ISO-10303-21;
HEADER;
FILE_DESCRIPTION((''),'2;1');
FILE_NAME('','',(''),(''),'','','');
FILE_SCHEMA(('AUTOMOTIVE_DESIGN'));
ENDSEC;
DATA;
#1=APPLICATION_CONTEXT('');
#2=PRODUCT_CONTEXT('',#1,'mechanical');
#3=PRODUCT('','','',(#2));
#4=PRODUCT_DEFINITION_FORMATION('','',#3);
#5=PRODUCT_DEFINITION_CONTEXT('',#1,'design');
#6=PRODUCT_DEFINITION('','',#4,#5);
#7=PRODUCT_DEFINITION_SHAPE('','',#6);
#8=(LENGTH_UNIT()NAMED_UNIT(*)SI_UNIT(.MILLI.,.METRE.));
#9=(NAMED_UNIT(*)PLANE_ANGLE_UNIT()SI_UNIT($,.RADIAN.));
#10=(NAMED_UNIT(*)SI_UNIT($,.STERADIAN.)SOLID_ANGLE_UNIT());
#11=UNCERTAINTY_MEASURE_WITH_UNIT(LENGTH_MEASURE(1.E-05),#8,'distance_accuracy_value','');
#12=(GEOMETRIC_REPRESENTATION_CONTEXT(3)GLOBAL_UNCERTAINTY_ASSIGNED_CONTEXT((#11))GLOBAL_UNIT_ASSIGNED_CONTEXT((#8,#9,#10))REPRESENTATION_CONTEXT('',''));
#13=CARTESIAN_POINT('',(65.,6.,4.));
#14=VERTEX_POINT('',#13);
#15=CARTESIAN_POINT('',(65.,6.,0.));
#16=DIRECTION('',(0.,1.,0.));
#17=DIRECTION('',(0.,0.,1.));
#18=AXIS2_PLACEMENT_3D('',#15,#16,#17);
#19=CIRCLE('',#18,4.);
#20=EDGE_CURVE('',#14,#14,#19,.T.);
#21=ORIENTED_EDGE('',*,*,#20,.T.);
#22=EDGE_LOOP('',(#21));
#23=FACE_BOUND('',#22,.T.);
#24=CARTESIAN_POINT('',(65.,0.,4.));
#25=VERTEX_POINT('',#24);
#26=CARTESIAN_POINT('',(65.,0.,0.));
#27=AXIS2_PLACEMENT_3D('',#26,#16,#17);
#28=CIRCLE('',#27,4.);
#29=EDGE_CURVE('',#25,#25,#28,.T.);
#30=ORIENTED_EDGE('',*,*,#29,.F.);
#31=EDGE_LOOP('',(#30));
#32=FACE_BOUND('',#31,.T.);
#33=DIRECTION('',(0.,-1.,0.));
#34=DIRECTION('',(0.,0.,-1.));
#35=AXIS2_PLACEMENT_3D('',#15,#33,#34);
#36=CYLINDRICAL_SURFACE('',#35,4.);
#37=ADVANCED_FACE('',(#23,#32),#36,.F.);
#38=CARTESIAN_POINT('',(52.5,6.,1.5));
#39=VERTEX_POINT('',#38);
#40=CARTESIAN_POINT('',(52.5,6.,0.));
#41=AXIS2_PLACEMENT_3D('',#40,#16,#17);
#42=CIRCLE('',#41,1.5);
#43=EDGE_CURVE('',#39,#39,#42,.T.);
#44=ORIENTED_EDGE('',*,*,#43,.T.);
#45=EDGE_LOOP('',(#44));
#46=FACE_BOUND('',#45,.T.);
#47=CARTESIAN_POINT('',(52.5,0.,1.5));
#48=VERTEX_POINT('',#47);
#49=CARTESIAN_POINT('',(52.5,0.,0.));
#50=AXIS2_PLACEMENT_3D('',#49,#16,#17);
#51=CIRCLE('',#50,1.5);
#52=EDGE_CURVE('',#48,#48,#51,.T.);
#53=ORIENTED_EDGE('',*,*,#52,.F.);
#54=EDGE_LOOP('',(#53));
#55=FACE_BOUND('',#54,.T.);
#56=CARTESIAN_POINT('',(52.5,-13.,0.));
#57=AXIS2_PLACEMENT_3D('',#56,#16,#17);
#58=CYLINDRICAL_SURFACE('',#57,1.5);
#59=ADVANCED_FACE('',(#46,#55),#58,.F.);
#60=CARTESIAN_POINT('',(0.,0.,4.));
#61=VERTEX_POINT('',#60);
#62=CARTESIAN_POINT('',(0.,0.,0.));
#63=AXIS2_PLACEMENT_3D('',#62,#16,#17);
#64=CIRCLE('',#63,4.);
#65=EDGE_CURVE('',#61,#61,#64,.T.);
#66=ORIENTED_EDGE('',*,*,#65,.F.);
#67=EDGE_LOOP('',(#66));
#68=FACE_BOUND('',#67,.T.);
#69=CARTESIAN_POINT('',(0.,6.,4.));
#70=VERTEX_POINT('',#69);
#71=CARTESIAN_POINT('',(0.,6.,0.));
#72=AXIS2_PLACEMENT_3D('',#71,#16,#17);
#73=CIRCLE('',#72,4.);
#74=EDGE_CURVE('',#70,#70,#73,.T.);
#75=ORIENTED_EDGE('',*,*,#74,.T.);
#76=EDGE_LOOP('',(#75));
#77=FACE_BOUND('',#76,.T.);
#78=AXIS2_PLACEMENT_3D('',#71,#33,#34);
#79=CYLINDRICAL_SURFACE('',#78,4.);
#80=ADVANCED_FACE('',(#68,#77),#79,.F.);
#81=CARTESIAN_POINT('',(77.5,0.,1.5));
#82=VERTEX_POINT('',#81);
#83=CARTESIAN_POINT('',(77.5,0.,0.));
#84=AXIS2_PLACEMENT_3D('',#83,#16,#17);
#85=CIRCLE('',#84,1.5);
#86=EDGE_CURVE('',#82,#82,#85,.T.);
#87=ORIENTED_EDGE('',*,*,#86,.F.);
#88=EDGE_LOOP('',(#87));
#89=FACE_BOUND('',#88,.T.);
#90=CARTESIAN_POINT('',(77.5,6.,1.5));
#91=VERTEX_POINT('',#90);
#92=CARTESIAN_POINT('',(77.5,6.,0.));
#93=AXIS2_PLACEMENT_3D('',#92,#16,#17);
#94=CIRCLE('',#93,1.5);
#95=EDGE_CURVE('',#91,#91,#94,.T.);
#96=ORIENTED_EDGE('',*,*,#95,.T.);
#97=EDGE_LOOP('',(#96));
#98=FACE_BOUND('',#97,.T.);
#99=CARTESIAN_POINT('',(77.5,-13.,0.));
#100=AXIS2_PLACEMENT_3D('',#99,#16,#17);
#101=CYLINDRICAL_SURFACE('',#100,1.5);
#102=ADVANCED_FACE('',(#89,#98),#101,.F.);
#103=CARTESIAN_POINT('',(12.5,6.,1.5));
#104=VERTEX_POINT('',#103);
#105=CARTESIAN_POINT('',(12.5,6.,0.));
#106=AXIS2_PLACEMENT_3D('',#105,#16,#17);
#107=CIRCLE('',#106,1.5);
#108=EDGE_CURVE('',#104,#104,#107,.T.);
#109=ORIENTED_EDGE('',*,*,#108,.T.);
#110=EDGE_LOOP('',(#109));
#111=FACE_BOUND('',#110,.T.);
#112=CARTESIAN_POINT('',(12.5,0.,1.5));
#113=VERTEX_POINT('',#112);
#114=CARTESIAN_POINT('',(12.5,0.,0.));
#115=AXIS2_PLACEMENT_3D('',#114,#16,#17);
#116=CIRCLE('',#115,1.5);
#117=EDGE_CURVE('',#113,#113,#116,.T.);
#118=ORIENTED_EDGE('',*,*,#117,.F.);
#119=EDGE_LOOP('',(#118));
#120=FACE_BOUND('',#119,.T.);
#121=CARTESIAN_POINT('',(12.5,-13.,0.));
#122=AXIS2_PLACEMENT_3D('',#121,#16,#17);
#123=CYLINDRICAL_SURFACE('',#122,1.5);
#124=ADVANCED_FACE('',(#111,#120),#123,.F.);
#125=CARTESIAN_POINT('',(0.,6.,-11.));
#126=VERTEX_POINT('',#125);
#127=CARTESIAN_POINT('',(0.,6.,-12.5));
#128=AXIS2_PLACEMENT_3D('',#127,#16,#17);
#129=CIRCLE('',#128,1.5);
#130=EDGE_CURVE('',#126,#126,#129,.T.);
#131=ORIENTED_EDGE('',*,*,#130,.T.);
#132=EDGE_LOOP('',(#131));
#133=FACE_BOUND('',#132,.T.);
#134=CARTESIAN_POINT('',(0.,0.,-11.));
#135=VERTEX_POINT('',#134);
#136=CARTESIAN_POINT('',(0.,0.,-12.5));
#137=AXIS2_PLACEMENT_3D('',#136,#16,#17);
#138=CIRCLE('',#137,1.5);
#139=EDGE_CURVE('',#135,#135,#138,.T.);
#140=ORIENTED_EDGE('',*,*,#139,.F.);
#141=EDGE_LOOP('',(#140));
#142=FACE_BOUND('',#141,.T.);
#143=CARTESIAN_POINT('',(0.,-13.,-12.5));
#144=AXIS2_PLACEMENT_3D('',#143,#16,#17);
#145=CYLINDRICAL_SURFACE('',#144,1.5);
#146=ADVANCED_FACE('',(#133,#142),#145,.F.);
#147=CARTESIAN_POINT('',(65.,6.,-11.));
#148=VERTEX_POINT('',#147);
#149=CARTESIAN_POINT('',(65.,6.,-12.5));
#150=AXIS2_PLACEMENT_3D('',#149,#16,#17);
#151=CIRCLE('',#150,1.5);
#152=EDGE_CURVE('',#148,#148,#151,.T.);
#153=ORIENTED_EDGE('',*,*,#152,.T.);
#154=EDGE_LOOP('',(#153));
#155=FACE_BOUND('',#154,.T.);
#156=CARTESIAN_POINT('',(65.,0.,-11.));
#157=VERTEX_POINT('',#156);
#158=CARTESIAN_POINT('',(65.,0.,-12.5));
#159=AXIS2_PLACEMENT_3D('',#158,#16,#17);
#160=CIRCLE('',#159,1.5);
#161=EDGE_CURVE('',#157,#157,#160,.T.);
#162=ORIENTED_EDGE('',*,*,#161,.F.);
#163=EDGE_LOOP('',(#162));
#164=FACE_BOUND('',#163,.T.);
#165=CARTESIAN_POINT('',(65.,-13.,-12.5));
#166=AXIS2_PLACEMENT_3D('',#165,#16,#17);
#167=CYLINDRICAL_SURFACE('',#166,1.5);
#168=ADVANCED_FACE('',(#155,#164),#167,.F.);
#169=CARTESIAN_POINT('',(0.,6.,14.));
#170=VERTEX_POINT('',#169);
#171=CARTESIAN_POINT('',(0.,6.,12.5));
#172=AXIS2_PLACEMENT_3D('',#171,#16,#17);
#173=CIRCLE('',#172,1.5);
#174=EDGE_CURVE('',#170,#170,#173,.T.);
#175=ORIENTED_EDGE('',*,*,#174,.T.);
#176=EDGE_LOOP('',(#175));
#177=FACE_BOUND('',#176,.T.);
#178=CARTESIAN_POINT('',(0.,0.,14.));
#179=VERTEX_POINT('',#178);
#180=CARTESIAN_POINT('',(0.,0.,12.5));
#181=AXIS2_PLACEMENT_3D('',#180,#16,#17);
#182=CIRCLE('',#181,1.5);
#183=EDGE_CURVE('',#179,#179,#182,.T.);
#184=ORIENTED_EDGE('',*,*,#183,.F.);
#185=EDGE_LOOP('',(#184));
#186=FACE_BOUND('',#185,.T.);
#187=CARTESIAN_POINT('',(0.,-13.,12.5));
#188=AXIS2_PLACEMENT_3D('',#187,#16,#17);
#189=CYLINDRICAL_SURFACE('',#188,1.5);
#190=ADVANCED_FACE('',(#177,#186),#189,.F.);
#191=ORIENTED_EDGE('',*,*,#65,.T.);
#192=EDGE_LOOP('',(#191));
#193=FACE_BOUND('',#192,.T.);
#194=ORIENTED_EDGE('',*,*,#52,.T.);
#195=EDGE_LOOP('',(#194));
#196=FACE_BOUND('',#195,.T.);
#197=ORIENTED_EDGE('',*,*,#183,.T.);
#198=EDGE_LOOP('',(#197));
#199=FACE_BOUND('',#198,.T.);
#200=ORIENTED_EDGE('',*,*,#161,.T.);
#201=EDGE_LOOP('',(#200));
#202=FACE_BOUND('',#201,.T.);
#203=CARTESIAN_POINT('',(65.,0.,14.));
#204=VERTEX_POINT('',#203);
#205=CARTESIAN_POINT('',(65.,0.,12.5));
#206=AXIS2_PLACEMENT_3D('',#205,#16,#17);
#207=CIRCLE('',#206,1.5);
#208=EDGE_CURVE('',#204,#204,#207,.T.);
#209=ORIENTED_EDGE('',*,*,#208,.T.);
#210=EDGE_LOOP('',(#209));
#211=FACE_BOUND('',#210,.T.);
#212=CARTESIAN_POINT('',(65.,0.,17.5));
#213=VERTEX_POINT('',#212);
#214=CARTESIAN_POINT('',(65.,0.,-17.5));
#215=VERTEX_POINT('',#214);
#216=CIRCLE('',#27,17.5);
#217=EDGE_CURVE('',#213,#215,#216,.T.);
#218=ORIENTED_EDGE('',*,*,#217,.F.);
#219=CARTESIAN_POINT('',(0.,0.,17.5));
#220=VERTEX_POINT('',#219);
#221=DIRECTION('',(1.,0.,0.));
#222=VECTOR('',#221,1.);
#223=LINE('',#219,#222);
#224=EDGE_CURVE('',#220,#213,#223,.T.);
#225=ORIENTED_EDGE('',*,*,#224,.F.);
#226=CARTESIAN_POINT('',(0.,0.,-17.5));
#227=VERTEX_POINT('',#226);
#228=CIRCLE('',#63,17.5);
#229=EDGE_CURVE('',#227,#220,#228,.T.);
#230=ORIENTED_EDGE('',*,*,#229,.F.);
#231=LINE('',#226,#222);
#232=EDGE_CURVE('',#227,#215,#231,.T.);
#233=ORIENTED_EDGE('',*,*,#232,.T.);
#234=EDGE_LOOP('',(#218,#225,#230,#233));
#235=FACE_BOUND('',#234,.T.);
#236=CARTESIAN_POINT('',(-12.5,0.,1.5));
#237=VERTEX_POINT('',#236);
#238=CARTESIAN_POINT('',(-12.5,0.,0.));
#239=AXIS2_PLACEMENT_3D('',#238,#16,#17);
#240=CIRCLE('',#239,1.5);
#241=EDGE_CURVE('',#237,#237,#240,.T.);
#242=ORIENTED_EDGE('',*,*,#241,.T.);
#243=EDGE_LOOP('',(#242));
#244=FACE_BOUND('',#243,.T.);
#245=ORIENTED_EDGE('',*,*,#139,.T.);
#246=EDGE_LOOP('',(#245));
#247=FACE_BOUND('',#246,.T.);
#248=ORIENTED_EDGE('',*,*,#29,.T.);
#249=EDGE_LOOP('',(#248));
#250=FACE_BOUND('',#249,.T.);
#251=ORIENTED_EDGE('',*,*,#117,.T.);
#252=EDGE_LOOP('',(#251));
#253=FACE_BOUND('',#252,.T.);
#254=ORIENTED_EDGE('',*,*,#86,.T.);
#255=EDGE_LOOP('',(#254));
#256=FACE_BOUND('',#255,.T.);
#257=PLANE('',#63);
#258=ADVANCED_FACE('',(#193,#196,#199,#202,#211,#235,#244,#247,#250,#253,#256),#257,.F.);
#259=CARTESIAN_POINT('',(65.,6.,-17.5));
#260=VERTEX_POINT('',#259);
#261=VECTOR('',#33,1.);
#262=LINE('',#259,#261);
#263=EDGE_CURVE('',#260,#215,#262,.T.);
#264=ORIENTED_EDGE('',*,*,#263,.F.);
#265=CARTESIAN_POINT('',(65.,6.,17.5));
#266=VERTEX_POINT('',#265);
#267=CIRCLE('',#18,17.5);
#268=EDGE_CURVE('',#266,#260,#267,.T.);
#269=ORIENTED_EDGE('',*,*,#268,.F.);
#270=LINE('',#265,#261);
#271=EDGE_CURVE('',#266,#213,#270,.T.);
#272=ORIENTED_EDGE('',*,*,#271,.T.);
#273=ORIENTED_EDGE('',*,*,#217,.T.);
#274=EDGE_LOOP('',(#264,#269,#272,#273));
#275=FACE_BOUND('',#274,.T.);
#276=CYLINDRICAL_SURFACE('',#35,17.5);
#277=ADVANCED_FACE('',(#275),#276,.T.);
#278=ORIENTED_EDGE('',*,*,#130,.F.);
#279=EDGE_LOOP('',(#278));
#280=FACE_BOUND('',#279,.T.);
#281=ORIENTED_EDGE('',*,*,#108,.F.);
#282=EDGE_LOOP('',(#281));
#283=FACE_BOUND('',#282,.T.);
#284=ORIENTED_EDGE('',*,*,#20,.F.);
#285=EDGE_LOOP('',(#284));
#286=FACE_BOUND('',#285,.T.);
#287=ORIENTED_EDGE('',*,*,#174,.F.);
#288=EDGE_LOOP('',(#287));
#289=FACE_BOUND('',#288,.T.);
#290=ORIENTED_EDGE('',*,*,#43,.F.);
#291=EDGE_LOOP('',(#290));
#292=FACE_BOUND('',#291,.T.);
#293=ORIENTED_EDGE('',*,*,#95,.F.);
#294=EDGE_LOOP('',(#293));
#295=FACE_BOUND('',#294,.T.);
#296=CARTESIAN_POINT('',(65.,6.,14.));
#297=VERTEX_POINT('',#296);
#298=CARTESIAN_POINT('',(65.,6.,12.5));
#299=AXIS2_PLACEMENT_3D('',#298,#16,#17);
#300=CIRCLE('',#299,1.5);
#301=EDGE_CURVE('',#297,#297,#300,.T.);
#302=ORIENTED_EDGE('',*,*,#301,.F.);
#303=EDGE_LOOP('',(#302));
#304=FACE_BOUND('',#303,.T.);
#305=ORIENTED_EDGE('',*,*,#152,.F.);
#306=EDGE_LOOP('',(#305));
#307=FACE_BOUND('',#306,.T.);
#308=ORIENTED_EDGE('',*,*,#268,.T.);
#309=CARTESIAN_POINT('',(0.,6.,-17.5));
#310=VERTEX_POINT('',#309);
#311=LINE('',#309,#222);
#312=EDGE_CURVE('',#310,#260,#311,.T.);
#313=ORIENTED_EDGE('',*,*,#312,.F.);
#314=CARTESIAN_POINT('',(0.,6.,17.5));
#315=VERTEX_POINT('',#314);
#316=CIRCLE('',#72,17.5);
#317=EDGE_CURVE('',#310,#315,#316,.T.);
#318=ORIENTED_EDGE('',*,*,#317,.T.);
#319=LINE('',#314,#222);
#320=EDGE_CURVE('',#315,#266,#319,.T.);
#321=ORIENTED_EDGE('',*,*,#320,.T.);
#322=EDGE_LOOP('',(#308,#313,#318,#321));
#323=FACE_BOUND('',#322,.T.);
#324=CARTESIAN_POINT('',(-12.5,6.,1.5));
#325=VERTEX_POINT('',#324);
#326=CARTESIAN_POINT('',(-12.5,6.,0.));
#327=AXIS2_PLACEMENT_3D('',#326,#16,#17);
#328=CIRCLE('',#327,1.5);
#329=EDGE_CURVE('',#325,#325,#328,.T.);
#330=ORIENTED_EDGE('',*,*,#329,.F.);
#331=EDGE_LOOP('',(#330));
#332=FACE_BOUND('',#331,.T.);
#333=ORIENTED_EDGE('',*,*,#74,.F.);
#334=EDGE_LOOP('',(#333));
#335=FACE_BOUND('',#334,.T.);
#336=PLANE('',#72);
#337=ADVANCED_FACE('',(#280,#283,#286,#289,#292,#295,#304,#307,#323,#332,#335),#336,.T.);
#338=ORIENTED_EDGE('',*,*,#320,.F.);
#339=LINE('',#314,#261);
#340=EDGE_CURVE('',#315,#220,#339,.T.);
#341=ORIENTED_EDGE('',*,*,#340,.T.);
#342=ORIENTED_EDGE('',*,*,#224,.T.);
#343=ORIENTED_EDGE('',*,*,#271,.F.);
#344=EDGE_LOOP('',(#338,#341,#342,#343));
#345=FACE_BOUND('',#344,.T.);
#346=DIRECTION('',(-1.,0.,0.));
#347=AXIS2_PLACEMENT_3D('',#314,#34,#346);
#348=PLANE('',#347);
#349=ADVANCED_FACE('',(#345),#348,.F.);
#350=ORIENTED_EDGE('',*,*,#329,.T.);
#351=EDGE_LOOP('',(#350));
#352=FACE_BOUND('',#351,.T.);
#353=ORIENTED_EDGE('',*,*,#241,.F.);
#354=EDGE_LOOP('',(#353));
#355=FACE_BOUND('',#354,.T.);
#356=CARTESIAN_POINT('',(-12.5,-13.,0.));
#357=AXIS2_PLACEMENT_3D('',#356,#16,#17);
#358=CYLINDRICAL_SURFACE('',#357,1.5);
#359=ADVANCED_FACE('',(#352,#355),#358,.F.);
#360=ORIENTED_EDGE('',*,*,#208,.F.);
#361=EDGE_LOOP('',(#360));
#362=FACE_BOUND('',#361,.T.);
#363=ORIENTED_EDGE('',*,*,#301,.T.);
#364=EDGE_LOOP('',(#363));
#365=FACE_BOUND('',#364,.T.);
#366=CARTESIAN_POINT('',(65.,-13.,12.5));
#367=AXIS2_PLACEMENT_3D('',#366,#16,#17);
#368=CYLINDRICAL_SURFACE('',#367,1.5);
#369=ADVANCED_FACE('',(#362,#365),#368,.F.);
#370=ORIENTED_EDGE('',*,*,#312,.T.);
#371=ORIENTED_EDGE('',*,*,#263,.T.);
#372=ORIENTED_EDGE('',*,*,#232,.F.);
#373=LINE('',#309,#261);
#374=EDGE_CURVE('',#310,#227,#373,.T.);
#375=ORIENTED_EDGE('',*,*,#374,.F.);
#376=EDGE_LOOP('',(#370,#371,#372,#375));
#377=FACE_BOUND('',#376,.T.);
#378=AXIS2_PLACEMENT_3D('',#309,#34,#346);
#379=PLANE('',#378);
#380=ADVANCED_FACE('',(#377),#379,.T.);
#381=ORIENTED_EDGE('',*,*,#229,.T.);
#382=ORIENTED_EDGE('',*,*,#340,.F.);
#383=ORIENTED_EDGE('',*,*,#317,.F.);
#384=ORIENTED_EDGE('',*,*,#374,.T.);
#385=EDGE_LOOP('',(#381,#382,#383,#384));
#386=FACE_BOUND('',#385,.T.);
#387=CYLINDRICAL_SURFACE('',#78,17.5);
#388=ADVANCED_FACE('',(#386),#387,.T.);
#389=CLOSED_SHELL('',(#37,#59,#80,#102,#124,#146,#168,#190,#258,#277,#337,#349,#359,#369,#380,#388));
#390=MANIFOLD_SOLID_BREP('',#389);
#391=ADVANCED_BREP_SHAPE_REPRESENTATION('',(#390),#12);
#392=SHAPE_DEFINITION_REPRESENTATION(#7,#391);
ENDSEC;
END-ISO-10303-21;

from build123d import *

# Parameters (mm, degrees)
SKETCH1_R           = 4
BOSS_EXTRUDE1_DEPTH = 6
SKETCH3_R           = 1.5
CUT_EXTRUDE1_DEPTH  = 19
SKETCH4_R           = 1.5
CUT_EXTRUDE2_DEPTH  = 19


with BuildPart() as part:
    # Sketch1 → Boss-Extrude1 (new body)
    with BuildSketch(Plane(origin=(0, 0, 0), x_dir=(1, 0, 0), z_dir=(0, 1, 0))):
        with BuildLine():
            Line((0, 17.5), (65, 17.5))
            ThreePointArc((65, 17.5), (82.5, 0), (65, -17.5))
            Line((65, -17.5), (0, -17.5))
            ThreePointArc((0, -17.5), (-17.5, 0), (0, 17.5))
        make_face()
        with Locations(Location((65, 0, 0), (0, 0, 270))):
            Circle(SKETCH1_R, mode=Mode.SUBTRACT)
        with Locations(Location((0, 0, 0), (0, 0, 270))):
            Circle(SKETCH1_R, mode=Mode.SUBTRACT)
    extrude(amount=BOSS_EXTRUDE1_DEPTH)

    # Sketch3 → Cut-Extrude1 (cut)
    with BuildSketch(Plane(origin=(0, 6, 0), x_dir=(1, 0, 0), z_dir=(0, 1, 0))):
        with Locations(Location((0, 12.5, 0), (0, 0, 270))):
            Circle(SKETCH3_R)
        with Locations(Location((12.5, 0, 0), (0, 0, 270))):
            Circle(SKETCH3_R)
        with Locations(Location((0, -12.5, 0), (0, 0, 270))):
            Circle(SKETCH3_R)
        with Locations(Location((-12.5, 0, 0), (0, 0, 270))):
            Circle(SKETCH3_R)
    extrude(amount=-CUT_EXTRUDE1_DEPTH, mode=Mode.SUBTRACT)

    # Sketch4 → Cut-Extrude2 (cut)
    with BuildSketch(Plane(origin=(0, 6, 0), x_dir=(1, 0, 0), z_dir=(0, 1, 0))):
        with Locations(Location((77.5, 0, 0), (0, 0, 270))):
            Circle(SKETCH4_R)
        with Locations(Location((65, -12.5, 0), (0, 0, 270))):
            Circle(SKETCH4_R)
        with Locations(Location((52.5, 0, 0), (0, 0, 270))):
            Circle(SKETCH4_R)
        with Locations(Location((65, 12.5, 0), (0, 0, 270))):
            Circle(SKETCH4_R)
    extrude(amount=-CUT_EXTRUDE2_DEPTH, mode=Mode.SUBTRACT)


solid = part.part
